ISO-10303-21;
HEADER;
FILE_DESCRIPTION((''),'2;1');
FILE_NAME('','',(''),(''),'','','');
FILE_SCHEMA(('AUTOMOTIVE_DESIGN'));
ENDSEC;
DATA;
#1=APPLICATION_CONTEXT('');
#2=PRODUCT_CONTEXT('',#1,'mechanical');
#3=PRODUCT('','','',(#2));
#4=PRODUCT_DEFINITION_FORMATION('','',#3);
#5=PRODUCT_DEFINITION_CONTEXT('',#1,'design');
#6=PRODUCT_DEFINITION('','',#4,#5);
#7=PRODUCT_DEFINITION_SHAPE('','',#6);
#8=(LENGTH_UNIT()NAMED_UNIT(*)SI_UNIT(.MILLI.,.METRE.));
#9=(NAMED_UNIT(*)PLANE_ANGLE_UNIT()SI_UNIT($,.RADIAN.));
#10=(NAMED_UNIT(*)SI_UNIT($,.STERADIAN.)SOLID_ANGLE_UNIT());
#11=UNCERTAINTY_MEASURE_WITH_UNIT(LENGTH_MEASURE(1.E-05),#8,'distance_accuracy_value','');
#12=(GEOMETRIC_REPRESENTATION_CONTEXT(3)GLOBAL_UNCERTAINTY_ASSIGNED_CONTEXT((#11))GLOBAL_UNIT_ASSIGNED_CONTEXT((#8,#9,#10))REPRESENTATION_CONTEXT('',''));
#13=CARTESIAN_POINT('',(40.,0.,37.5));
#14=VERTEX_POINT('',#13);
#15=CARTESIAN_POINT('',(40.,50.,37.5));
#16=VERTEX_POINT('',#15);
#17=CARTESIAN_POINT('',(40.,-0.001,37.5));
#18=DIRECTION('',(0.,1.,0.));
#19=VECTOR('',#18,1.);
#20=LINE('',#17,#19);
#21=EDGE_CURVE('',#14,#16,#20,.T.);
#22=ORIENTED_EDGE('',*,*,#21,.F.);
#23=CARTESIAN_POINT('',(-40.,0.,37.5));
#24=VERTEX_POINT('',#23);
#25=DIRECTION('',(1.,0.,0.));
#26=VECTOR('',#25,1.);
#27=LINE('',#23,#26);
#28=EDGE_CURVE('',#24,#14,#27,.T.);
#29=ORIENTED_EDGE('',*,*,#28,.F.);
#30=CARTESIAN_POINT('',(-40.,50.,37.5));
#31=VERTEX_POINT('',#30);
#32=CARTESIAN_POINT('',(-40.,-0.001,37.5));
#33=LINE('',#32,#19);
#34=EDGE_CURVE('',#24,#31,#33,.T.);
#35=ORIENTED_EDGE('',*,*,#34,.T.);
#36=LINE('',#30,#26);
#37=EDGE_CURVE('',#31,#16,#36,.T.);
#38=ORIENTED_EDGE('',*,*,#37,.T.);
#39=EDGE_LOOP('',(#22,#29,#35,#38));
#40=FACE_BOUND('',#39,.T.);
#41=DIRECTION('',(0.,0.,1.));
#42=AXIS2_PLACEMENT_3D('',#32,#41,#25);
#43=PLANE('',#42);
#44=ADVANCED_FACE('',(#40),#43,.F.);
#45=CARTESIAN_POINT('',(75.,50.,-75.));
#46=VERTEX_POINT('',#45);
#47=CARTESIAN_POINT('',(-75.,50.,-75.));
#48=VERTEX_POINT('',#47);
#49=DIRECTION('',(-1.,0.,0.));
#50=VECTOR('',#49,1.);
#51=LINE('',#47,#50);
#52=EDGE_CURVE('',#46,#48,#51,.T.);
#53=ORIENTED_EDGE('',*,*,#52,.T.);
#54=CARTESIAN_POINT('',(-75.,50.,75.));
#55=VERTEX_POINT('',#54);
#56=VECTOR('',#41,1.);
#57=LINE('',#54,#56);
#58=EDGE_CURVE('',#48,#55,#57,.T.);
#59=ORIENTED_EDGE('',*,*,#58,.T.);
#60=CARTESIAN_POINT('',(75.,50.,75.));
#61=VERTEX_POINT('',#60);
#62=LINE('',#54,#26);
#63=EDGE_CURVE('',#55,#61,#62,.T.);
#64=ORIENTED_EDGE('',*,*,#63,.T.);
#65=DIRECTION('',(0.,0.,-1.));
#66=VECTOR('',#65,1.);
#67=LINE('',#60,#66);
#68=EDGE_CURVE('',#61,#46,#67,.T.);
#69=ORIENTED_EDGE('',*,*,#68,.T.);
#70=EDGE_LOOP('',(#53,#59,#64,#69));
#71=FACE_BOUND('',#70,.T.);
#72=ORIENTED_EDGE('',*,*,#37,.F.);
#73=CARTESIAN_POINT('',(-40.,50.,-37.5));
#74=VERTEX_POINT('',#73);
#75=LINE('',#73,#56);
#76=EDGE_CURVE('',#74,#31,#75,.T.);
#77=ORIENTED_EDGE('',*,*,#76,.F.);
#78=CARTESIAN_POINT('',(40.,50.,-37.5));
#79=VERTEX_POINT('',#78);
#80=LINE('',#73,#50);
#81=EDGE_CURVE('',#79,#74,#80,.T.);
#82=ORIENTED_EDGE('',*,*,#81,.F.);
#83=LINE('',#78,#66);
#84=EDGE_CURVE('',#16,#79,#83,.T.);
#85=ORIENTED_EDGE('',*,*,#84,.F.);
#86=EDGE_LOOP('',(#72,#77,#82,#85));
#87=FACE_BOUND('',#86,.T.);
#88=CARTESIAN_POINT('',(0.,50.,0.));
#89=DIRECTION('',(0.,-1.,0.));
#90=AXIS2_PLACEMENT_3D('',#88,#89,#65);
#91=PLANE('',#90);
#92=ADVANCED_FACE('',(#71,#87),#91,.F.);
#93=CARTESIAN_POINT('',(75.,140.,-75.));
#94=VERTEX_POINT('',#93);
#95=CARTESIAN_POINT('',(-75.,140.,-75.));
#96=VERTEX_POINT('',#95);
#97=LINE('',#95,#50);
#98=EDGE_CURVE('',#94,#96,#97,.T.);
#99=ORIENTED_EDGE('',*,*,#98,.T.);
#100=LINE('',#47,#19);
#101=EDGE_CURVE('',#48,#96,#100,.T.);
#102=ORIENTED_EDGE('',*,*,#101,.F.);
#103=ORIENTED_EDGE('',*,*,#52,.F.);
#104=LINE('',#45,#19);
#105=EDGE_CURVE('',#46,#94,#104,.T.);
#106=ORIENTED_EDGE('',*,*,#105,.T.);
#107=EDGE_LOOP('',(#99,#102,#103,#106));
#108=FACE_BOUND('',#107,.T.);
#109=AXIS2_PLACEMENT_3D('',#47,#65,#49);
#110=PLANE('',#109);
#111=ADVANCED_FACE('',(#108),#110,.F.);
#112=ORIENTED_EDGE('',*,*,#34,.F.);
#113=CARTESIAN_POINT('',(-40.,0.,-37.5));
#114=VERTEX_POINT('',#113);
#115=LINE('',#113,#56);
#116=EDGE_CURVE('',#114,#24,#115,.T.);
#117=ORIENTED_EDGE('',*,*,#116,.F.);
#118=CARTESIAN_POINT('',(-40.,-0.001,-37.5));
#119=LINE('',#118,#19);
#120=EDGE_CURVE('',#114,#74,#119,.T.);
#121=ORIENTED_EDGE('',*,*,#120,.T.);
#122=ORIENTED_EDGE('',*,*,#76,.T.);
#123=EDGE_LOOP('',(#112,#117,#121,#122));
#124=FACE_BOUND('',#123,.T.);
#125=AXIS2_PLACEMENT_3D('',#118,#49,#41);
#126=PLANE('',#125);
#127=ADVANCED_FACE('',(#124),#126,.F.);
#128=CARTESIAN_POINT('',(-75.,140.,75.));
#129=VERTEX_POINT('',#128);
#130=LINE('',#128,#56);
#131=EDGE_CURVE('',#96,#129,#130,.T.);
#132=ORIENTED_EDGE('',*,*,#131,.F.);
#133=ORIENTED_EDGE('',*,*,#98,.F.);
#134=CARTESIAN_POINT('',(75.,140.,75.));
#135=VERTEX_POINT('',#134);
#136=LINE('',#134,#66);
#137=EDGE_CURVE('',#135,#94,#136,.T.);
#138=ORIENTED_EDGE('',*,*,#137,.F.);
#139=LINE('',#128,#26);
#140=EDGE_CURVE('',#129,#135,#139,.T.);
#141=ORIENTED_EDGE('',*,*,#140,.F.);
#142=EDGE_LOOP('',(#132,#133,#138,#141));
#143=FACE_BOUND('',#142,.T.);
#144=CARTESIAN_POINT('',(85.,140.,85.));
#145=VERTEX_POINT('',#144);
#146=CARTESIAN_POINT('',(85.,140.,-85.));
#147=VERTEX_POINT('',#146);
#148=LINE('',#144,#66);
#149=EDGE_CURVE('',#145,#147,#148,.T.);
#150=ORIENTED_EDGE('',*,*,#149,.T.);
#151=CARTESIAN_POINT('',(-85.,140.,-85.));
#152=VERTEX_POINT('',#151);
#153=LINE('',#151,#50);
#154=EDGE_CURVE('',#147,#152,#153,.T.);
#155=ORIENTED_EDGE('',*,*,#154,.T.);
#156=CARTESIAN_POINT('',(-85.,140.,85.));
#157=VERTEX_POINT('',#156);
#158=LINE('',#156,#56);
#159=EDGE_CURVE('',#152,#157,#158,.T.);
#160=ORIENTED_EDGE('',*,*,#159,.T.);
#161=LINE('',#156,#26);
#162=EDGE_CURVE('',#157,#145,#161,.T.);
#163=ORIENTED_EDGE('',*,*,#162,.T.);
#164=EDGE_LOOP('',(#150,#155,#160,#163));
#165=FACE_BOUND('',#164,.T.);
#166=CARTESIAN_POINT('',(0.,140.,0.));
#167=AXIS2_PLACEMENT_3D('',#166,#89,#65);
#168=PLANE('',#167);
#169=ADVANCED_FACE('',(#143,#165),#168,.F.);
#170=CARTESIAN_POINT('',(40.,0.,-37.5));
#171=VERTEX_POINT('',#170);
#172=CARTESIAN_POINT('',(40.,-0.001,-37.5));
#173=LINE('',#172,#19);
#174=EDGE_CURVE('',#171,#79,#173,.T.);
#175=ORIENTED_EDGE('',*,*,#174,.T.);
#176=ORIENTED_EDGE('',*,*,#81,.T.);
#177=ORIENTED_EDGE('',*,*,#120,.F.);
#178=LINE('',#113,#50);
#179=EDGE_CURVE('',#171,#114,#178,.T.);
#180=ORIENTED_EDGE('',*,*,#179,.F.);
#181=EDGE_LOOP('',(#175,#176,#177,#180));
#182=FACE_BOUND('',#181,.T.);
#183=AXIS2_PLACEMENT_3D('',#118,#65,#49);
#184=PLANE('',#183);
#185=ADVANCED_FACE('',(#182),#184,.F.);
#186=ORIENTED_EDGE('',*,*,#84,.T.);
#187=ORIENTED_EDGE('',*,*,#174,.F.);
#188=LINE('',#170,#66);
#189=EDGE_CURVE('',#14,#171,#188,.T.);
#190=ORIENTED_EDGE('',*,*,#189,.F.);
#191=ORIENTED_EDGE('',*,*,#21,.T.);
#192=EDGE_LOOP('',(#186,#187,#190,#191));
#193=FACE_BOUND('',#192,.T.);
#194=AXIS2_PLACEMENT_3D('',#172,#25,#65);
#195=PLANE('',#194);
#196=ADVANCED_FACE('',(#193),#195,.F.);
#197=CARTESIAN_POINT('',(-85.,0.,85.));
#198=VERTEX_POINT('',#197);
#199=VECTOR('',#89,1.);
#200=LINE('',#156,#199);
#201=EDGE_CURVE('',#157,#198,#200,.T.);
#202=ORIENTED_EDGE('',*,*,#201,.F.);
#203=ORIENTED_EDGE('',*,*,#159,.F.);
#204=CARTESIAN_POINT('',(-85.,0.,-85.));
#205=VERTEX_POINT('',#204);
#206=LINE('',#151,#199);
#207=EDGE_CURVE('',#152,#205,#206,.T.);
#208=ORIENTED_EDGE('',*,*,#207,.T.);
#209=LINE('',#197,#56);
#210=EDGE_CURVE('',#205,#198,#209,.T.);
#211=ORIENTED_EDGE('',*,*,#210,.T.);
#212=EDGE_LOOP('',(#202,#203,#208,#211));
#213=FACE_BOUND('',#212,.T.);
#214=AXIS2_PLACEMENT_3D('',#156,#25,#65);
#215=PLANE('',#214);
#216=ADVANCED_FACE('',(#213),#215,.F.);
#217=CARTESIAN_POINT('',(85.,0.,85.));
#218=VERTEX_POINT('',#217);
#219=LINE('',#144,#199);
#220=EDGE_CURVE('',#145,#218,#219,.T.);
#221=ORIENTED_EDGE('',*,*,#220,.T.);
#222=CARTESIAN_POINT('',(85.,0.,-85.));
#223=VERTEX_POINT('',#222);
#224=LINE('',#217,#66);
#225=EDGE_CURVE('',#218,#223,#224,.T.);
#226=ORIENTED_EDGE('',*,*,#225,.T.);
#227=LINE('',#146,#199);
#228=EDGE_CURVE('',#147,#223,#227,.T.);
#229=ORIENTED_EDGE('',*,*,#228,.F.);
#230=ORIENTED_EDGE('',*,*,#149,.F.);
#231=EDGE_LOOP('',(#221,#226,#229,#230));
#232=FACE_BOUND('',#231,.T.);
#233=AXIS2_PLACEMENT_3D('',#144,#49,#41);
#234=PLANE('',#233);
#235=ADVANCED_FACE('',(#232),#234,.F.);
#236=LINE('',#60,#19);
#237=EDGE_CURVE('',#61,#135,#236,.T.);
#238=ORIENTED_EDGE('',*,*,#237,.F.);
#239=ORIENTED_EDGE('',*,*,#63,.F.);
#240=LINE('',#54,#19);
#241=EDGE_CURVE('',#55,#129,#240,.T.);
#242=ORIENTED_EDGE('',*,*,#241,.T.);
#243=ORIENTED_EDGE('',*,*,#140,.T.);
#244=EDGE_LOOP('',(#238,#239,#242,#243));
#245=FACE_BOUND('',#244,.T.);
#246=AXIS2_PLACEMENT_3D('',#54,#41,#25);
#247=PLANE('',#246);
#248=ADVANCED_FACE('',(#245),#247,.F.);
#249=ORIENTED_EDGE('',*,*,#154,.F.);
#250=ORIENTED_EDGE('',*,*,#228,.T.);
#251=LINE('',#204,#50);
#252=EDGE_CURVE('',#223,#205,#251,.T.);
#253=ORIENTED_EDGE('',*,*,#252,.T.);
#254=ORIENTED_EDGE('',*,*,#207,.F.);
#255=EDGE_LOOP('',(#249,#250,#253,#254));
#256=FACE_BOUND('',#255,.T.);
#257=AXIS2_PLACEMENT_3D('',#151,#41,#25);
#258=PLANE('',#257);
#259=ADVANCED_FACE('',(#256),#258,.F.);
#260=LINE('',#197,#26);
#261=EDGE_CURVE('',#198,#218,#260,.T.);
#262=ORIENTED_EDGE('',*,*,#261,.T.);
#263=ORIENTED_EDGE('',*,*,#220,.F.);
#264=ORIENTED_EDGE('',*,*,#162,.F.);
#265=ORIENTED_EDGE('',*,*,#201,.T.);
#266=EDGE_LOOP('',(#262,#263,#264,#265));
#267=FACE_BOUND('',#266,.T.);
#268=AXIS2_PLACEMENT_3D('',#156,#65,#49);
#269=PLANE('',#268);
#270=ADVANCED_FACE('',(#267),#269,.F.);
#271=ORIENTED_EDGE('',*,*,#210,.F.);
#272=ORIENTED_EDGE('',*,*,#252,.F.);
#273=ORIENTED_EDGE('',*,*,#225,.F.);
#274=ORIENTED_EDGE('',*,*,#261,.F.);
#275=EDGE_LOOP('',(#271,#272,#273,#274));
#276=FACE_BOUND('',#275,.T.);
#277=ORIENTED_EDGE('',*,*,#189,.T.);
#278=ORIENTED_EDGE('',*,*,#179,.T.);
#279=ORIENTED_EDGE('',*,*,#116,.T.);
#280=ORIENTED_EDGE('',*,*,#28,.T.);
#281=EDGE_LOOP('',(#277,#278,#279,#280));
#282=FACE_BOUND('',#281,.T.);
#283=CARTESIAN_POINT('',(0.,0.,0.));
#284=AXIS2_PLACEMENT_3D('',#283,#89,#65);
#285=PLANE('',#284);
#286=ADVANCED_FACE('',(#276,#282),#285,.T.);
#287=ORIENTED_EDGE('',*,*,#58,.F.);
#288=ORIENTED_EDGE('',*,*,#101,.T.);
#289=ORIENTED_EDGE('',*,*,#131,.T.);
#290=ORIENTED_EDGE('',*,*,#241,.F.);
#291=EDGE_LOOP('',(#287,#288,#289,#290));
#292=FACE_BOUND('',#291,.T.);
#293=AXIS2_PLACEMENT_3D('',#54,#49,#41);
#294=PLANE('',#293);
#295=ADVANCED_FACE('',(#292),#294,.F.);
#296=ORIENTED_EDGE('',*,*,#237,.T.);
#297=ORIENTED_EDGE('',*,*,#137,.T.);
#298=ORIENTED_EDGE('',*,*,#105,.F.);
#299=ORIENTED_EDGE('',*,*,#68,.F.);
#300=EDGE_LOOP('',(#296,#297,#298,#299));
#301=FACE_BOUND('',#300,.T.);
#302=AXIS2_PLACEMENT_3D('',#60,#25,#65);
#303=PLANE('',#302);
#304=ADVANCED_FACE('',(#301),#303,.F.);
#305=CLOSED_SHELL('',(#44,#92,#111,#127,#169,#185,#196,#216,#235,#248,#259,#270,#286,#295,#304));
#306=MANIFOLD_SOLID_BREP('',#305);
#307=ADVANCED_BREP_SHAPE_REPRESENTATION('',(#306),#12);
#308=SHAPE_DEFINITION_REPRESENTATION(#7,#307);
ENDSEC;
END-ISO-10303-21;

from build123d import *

# Parameters (mm, degrees)
SKETCH_2_W          = 170
SKETCH_2_H          = 170
EXTRUDE_1_DEPTH     = 140
SKETCH_3_W          = 150
SKETCH_3_H          = 150
CUT_EXTRUDE_1_DEPTH = 90
CUT_EXTRUDE_2_REACH = 152.167
SKETCH_4_W          = 80
SKETCH_4_H          = 75


with BuildPart() as part:
    # Эскиз2 → Бобышка-Вытянуть1 (new body)
    with BuildSketch(Plane(origin=(0, 0, 0), x_dir=(1, 0, 0), z_dir=(0, 1, 0))):
        Rectangle(SKETCH_2_W, SKETCH_2_H)
    extrude(amount=EXTRUDE_1_DEPTH)

    # Эскиз3 → Вырез-Вытянуть1 (cut)
    with BuildSketch(Plane(origin=(0, 140, 0), x_dir=(1, 0, 0), z_dir=(0, 1, 0))):
        Rectangle(SKETCH_3_W, SKETCH_3_H)
    extrude(amount=-CUT_EXTRUDE_1_DEPTH, mode=Mode.SUBTRACT)

    # Эскиз4 → Вырез-Вытянуть2 (cut, up to next)
    with BuildSketch(Plane(origin=(0, 50, 0), x_dir=(1, 0, 0), z_dir=(0, 1, 0)), mode=Mode.PRIVATE) as cut_extrude_2_sk1:
        Rectangle(SKETCH_4_W, SKETCH_4_H)
    cut_extrude_2_tool1 = extrude(cut_extrude_2_sk1.sketch, amount=-CUT_EXTRUDE_2_REACH, mode=Mode.PRIVATE) & part.part
    add(cut_extrude_2_tool1.solids().sort_by_distance((0, 50, 0))[0], mode=Mode.SUBTRACT)


solid = part.part
